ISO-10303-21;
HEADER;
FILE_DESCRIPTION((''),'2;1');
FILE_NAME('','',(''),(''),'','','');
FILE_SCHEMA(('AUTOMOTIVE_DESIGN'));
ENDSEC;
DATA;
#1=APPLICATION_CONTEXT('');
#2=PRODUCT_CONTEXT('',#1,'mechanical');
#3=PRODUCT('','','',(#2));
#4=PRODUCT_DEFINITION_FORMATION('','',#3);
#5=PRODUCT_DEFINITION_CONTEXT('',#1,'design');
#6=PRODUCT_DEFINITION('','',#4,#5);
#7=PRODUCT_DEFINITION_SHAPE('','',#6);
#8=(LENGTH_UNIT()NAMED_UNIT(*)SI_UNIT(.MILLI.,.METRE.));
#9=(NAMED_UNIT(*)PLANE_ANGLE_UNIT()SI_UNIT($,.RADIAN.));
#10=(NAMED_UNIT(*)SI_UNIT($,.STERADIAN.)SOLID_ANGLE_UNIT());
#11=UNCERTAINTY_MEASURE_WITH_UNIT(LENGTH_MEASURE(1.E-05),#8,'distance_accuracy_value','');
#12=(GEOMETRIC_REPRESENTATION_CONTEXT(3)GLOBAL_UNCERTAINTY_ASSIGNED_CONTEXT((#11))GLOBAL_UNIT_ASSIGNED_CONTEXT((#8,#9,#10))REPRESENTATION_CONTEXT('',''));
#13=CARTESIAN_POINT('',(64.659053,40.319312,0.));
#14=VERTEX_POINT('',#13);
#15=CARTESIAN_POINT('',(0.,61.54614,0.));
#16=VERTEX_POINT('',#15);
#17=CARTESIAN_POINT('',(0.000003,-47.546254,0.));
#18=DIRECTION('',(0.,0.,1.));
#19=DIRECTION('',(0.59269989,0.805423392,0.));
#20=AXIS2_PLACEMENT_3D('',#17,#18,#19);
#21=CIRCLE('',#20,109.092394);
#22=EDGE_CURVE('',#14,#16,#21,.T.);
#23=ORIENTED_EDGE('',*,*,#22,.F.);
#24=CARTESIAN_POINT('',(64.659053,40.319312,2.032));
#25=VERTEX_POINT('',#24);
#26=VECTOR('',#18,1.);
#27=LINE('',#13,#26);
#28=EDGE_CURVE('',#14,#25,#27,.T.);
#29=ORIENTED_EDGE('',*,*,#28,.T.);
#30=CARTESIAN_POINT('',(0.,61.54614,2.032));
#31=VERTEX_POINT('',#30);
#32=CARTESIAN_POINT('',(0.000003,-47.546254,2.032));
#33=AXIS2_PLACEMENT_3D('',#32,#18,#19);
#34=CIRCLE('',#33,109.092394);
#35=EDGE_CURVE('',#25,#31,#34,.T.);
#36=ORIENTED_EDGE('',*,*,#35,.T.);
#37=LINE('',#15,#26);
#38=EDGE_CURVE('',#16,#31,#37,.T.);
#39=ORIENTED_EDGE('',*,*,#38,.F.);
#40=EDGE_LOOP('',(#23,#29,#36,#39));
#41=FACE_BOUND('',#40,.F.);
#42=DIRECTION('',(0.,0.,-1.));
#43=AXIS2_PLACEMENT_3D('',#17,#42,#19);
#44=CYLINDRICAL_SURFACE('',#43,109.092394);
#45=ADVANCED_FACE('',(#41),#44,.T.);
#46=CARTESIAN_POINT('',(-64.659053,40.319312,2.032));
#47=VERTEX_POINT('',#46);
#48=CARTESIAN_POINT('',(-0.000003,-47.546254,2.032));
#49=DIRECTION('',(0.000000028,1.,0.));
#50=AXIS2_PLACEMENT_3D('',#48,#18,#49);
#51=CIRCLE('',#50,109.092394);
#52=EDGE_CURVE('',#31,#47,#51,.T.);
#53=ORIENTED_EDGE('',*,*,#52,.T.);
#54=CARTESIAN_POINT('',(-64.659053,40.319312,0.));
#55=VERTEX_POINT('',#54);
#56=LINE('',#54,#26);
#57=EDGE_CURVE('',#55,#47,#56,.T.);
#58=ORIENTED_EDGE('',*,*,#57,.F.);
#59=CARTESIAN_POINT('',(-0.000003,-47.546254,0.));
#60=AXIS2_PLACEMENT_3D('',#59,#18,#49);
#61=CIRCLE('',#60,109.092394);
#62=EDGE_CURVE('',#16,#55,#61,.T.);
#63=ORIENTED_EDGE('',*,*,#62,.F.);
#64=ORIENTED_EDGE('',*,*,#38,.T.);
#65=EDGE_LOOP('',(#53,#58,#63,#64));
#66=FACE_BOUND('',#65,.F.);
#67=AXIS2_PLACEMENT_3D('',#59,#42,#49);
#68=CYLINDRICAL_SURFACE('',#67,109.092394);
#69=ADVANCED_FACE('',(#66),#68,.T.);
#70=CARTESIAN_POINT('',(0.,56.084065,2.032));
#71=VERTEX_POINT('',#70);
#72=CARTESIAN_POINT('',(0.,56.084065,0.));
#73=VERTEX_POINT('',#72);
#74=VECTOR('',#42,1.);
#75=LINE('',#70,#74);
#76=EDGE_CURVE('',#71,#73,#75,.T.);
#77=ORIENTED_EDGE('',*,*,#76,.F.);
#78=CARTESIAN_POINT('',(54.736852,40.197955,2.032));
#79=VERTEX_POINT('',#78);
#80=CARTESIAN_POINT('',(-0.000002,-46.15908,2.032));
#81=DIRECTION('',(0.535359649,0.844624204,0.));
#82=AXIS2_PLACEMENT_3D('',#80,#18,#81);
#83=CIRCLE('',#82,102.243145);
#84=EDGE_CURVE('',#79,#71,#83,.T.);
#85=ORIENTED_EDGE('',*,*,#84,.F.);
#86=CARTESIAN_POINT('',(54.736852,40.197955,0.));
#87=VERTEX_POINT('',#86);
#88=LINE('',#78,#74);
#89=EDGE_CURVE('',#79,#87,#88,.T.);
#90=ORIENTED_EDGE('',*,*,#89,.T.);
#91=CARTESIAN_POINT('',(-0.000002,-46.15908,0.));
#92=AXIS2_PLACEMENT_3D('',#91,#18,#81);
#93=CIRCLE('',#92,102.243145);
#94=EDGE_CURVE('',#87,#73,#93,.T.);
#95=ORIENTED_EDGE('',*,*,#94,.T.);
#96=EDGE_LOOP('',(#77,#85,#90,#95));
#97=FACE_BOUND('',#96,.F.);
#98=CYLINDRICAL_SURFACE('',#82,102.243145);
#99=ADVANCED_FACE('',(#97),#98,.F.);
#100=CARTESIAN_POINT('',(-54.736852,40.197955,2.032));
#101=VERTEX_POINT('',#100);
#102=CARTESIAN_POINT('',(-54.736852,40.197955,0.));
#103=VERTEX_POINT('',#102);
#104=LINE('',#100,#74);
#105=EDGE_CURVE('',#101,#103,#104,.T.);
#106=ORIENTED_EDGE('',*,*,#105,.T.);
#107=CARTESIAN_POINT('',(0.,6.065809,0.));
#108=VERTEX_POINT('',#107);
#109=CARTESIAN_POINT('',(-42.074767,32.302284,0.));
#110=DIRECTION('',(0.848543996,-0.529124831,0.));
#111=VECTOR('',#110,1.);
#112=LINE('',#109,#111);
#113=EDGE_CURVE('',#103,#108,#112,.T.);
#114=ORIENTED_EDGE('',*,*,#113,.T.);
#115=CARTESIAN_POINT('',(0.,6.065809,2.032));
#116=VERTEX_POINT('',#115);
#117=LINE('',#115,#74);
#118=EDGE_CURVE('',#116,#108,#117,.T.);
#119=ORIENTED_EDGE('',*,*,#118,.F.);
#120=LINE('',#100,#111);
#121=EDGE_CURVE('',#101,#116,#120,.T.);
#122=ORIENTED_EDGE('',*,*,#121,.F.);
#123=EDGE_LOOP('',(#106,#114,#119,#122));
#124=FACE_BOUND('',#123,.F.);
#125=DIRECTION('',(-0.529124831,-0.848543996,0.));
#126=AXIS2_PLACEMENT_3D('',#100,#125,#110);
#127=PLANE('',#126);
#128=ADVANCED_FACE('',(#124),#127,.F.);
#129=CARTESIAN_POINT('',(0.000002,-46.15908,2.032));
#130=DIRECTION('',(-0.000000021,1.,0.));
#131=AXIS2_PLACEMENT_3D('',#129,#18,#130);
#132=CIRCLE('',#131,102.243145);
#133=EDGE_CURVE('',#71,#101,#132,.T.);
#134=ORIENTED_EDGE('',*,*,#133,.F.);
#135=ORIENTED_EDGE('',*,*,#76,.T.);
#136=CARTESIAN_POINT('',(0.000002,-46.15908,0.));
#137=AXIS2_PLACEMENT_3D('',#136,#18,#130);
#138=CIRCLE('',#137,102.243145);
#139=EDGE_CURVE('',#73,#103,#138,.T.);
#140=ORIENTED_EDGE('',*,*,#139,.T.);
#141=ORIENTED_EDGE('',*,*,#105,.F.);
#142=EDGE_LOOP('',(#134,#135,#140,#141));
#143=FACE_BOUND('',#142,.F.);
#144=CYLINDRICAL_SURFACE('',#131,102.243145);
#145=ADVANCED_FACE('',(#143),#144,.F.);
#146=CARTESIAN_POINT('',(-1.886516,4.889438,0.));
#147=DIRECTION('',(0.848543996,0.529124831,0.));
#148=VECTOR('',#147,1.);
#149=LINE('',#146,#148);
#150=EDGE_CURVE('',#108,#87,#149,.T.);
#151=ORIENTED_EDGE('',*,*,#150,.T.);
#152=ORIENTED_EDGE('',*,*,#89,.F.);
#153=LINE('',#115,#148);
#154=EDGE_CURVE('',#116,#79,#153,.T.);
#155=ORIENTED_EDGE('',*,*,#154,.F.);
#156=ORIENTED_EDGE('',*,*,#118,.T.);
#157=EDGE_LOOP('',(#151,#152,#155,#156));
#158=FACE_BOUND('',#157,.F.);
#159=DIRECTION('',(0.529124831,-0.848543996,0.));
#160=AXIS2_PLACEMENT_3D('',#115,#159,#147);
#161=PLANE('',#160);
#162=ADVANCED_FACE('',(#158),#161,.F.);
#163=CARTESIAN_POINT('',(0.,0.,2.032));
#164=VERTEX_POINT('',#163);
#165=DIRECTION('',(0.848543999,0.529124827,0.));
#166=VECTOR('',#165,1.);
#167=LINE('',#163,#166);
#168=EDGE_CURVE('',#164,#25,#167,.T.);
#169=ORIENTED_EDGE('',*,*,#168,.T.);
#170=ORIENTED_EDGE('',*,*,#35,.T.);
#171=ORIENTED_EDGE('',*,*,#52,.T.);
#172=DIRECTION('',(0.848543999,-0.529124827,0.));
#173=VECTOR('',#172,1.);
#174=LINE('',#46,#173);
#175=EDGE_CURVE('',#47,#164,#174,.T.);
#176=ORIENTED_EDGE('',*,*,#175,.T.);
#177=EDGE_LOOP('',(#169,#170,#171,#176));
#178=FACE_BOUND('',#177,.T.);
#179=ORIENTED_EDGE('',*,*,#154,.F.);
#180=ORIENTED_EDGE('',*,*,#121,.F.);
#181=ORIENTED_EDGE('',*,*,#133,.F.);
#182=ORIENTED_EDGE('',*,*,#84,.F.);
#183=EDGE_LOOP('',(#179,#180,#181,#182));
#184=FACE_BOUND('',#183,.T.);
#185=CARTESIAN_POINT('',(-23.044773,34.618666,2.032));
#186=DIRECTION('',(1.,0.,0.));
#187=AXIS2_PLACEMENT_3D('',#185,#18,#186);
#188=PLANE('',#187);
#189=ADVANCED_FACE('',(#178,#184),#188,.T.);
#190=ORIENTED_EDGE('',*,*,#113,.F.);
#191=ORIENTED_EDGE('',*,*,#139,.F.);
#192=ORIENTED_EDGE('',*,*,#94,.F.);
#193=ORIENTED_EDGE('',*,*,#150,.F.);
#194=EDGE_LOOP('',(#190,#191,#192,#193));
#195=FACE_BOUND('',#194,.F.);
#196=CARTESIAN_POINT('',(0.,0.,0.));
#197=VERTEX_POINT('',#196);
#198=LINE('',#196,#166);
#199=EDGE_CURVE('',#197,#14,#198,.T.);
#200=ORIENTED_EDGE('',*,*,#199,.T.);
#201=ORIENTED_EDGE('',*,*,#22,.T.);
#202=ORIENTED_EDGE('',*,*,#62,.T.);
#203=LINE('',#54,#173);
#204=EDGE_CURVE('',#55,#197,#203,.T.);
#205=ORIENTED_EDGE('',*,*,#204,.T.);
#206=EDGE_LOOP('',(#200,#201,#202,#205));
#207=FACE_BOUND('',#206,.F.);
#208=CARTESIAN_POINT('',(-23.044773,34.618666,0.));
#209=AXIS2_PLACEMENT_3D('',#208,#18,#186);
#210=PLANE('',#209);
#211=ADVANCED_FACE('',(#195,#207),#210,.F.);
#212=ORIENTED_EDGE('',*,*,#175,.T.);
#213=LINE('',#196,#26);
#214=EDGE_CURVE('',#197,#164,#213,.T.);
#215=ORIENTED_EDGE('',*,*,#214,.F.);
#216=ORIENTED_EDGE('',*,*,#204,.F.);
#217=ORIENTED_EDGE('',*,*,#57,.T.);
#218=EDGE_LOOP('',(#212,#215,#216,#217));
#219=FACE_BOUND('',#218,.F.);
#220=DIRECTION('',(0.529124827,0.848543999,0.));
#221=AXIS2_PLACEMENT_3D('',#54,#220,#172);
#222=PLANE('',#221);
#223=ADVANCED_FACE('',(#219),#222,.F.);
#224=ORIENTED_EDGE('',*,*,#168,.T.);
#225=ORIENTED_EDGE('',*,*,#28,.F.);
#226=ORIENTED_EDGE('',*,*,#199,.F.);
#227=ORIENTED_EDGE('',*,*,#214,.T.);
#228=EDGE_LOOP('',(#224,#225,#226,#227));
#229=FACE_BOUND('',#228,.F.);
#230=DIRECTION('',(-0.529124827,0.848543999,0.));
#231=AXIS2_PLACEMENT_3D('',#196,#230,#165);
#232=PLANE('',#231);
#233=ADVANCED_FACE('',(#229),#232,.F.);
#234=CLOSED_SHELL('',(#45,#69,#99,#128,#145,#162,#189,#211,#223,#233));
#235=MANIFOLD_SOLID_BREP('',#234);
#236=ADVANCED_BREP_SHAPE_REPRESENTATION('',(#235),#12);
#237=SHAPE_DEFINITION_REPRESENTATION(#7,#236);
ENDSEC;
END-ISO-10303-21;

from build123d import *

# Parameters (mm, degrees)
F1_DEPTH = 2.032
F3_DEPTH = 25.4


with BuildPart() as f1:
    # F0 (on Top) → F1 (new body)
    with BuildSketch(Plane.XY):
        with BuildLine():
            Line((-64.659053, 40.319312), (0, 0))
            Line((0, 0), (0, 61.54614))
            ThreePointArc((0, 61.54614), (-34.02709, 56.103675), (-64.659053, 40.319312))
        make_face()
        with BuildLine():
            Line((0, 61.54614), (0, 0))
            Line((0, 0), (64.659053, 40.319312))
            ThreePointArc((64.659053, 40.319312), (34.02709, 56.103675), (0, 61.54614))
        make_face()
    extrude(amount=F1_DEPTH)

    # F2 (on face) → F3 (cut)
    with BuildSketch(Plane.XY.offset(2.032)):
        with BuildLine():
            Line((-54.736852, 40.197955), (0, 6.065809))
            Line((0, 6.065809), (0, 56.084065))
            ThreePointArc((0, 56.084065), (-28.49777, 52.032252), (-54.736852, 40.197955))
        make_face()
        with BuildLine():
            Line((0, 56.084065), (0, 6.065809))
            Line((0, 6.065809), (54.736852, 40.197955))
            ThreePointArc((54.736852, 40.197955), (28.49777, 52.032252), (0, 56.084065))
        make_face()
    extrude(amount=-F3_DEPTH, mode=Mode.SUBTRACT)


solid = f1.part
